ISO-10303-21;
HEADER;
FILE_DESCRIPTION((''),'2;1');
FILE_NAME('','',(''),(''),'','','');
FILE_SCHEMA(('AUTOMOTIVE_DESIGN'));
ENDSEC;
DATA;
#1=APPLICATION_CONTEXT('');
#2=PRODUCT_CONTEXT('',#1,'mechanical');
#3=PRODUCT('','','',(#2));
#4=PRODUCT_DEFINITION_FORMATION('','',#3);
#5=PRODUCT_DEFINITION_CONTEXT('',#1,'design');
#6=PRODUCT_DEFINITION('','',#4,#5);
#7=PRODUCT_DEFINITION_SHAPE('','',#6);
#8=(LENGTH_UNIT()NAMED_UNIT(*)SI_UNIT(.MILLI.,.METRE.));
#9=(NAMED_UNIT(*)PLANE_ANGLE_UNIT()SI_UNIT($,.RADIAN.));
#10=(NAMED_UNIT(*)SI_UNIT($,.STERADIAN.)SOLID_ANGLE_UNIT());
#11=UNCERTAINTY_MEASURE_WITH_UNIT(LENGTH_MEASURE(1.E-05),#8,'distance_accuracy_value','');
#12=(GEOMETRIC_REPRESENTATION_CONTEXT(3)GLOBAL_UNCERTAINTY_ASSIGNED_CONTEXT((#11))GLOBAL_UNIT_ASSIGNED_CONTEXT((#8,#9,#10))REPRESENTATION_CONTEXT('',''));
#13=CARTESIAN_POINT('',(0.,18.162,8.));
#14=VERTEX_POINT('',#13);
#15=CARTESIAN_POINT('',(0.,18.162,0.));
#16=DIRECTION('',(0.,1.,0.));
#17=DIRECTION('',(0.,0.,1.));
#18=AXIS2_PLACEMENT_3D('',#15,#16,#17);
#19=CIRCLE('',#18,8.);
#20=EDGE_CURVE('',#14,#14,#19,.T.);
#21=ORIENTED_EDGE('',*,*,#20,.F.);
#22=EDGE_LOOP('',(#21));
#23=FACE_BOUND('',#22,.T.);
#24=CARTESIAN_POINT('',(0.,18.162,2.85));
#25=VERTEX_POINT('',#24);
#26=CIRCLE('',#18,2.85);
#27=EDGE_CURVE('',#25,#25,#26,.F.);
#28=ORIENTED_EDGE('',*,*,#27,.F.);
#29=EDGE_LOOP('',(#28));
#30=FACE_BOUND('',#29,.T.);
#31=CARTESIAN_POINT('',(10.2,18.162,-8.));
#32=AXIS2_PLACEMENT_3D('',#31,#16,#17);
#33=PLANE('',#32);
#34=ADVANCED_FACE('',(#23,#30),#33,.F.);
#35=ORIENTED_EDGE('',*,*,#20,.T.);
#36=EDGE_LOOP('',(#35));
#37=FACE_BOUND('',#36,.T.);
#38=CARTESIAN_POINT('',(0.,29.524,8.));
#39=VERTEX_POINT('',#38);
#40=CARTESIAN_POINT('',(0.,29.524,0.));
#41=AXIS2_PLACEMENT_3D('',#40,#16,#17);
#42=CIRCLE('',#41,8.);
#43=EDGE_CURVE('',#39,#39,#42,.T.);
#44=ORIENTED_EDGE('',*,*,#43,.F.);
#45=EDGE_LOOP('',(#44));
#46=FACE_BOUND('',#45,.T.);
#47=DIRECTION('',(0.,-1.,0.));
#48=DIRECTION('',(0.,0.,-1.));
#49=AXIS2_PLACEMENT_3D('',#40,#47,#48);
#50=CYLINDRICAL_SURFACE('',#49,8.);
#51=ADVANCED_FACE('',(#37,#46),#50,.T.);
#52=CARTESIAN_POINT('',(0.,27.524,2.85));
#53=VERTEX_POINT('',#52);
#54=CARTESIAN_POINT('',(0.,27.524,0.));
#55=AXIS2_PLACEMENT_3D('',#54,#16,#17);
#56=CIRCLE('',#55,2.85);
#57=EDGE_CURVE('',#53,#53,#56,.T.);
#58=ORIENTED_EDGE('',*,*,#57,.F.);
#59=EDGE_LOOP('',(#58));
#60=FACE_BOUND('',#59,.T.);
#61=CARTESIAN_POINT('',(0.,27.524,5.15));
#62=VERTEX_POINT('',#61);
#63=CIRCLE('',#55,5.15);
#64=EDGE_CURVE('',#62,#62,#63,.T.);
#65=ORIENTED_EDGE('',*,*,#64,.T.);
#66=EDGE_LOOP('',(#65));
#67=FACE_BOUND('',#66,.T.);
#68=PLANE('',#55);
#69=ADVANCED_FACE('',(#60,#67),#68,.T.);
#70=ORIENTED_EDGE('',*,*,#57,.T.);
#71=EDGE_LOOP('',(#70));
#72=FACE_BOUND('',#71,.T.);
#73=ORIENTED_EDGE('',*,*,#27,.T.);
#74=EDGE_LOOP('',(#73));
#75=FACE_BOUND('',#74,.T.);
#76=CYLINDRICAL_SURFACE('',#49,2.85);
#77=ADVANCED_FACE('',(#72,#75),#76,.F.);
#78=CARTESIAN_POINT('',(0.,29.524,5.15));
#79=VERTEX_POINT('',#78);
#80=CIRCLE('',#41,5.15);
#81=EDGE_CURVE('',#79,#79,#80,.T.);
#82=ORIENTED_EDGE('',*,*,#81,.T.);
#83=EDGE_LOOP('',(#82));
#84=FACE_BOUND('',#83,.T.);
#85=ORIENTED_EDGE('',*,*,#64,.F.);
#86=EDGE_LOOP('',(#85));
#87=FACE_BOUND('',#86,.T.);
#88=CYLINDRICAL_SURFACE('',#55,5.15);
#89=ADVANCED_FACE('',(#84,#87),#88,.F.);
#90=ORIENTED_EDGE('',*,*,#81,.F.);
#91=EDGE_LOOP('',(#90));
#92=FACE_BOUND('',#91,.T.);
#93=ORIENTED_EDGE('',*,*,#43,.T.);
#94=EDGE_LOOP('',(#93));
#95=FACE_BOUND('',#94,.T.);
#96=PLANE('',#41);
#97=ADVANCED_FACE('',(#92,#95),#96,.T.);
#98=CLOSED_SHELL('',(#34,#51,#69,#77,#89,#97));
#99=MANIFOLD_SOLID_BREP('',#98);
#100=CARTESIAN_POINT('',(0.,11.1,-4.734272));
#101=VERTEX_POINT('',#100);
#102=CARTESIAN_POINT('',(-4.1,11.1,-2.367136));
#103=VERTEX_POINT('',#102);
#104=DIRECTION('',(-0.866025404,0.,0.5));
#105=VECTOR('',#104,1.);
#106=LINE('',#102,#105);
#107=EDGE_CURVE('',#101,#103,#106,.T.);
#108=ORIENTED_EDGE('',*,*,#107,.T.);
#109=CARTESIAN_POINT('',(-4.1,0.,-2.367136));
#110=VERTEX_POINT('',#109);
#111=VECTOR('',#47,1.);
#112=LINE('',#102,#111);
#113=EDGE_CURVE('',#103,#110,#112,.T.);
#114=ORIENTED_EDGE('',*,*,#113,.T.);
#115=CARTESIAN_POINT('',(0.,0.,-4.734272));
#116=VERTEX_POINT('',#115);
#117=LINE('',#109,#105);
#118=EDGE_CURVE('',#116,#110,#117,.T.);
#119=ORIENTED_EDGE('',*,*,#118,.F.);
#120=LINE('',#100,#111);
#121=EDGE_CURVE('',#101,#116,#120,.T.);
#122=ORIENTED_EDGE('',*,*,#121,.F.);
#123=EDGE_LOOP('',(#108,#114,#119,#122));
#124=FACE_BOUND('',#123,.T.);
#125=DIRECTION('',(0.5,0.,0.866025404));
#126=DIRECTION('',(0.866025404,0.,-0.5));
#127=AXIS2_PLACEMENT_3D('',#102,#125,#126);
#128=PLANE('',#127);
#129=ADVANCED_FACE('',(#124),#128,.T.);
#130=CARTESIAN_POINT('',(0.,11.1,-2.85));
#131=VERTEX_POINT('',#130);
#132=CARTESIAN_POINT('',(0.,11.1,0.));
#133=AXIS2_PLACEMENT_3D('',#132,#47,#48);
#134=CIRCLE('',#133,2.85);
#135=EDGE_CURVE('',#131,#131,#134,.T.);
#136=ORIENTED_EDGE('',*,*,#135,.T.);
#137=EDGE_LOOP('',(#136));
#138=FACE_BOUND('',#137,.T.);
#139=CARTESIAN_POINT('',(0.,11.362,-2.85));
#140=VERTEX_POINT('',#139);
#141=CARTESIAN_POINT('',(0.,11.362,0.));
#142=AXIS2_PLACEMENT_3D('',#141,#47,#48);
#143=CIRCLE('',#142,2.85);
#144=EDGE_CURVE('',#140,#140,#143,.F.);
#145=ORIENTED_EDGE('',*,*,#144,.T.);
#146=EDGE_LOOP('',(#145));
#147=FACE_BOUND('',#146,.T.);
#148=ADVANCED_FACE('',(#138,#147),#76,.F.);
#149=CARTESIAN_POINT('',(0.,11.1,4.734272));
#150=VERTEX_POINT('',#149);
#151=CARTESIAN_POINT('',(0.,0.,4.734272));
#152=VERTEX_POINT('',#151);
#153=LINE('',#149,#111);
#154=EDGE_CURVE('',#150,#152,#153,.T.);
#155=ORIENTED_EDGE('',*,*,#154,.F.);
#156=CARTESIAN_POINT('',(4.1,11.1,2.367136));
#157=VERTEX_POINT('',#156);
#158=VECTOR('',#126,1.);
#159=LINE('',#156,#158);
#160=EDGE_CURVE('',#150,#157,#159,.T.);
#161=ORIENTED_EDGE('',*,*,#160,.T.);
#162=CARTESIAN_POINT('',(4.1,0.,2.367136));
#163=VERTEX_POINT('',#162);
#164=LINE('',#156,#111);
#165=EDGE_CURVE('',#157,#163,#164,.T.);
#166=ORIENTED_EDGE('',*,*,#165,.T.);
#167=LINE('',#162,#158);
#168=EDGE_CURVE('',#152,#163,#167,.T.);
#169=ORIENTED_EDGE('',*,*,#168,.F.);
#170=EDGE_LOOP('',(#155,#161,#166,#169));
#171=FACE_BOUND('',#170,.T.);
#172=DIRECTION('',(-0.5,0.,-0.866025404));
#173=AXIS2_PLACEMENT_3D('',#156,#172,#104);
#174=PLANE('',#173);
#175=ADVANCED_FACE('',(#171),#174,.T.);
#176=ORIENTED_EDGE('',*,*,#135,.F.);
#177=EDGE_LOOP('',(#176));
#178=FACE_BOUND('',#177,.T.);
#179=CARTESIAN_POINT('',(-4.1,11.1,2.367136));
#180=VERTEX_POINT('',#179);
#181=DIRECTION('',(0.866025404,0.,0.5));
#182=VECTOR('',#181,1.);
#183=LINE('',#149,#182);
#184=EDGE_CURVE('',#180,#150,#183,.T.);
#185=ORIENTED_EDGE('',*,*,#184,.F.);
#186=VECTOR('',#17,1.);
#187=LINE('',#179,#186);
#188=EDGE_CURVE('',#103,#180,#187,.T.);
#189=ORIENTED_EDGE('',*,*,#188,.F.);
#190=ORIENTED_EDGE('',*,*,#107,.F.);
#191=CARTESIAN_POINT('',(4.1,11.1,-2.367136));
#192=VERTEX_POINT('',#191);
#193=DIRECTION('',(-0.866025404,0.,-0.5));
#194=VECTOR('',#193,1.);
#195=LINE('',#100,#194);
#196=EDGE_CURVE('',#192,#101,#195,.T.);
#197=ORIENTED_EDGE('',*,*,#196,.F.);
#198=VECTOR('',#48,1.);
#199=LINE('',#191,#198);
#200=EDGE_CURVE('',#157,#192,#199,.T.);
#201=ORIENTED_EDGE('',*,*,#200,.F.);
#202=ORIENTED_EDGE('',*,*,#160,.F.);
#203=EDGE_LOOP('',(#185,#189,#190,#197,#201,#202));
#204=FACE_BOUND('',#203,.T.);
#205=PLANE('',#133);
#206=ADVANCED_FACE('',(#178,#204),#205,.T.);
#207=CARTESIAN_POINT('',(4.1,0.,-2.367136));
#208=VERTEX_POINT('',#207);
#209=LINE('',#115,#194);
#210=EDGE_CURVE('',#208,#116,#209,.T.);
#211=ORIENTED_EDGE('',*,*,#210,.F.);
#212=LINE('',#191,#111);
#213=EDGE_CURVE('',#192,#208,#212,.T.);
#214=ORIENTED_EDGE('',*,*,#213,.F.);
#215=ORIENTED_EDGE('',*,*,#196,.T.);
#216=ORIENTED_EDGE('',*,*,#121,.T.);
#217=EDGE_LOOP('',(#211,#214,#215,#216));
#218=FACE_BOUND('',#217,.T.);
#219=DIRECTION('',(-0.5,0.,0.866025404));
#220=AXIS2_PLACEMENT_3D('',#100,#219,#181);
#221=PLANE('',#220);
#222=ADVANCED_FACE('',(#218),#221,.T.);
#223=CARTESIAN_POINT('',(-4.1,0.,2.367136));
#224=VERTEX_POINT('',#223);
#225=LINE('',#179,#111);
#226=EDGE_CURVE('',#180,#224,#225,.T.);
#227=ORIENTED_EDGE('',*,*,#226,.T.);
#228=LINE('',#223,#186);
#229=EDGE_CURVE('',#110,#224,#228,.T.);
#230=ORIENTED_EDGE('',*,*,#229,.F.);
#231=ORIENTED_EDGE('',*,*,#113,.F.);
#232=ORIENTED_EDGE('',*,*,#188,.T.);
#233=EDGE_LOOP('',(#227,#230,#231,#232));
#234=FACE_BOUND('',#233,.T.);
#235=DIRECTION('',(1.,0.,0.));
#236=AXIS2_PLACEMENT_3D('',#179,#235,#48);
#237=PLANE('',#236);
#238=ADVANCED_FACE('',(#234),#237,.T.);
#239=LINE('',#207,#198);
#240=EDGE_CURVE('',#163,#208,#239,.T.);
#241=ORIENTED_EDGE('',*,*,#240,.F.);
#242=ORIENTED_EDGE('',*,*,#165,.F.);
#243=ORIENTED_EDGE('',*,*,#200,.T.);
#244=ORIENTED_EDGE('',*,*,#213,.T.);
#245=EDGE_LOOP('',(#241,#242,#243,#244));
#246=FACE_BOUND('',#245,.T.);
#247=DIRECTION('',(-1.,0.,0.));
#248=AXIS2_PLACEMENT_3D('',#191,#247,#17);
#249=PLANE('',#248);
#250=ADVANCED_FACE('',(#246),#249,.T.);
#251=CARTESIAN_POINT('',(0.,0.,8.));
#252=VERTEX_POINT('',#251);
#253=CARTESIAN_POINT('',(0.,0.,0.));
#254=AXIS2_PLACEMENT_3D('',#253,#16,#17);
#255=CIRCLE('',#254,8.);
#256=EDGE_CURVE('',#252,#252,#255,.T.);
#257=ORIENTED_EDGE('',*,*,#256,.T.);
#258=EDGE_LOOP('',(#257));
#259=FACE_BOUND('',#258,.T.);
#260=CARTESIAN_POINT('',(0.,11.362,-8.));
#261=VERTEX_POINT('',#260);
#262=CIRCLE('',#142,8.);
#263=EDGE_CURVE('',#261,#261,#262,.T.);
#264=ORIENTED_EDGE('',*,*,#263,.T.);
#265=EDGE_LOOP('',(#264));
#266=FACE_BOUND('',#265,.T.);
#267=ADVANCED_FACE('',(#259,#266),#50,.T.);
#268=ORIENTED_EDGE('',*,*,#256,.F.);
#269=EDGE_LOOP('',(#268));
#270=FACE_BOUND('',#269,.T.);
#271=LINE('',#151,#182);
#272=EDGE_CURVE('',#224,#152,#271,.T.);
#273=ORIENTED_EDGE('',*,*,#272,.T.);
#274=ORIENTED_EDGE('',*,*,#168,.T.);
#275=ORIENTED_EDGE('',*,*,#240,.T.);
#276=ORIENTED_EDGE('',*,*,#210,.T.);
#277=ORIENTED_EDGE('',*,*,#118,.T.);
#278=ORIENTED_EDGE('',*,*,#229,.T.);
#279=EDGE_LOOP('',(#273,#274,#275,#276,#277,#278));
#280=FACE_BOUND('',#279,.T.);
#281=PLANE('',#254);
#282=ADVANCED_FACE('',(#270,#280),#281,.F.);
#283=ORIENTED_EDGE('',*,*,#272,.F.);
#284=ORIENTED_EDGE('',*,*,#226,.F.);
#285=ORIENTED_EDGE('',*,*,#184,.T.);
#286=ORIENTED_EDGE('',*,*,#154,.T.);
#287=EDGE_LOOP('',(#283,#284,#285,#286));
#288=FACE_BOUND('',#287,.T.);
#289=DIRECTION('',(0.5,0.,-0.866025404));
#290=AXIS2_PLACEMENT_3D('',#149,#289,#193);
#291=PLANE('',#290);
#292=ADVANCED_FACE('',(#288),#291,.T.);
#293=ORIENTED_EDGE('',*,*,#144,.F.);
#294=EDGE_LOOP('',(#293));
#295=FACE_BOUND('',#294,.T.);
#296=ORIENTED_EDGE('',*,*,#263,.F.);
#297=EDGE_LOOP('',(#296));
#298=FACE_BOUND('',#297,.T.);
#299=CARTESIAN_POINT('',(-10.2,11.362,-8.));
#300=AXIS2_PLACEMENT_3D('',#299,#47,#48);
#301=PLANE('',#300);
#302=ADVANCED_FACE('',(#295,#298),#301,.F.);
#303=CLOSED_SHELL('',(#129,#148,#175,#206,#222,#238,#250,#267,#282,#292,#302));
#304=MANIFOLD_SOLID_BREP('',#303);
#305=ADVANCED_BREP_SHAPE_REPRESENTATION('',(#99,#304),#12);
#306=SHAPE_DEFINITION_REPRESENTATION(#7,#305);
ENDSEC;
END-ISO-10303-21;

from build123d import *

# Parameters (mm, degrees)
SKETCH1_R               = 8
BOSS_EXTRUDE1_DEPTH     = 29.524
CUT_EXTRUDE1_DEPTH      = 32.617504266
CUT_EXTRUDE1_DEPTH_BACK = 32.617504266
SKETCH2_W               = 20.4
SKETCH2_H               = 6.8
SKETCH3_R               = 2.85
CUT_EXTRUDE2_DEPTH      = 29.524
SKETCH4_R               = 5.15
CUT_EXTRUDE3_DEPTH      = 2
CUT_EXTRUDE4_DEPTH      = 11.1


with BuildPart() as part:
    # Sketch1 → Boss-Extrude1 (new body)
    with BuildSketch(Plane(origin=(0, 0, 0), x_dir=(1, 0, 0), z_dir=(0, 1, 0))):
        with Locations(Location((0, 0, 0), (0, 0, 270))):
            Circle(SKETCH1_R)
    extrude(amount=BOSS_EXTRUDE1_DEPTH)

    # Sketch2 → Cut-Extrude1 (cut, two sides: drawn at the far end of the back side and taken through both)
    with BuildSketch(Plane.XY.offset(-CUT_EXTRUDE1_DEPTH_BACK)):
        with Locations((0, 14.762)):
            Rectangle(SKETCH2_W, SKETCH2_H)
    extrude(amount=CUT_EXTRUDE1_DEPTH + CUT_EXTRUDE1_DEPTH_BACK, mode=Mode.SUBTRACT)


with BuildPart() as cut_extrude1_piece_1:
    # of the separate pieces the step leaves, piece 1, a body of its own (cut_extrude1_pieces)
    add(part.part.solids().sort_by_distance((0, 0, 8))[0])


with BuildPart() as cut_extrude1_piece_2:
    # of the separate pieces the step leaves, piece 2, a body of its own (cut_extrude1_pieces)
    add(part.part.solids().sort_by_distance((0, 18.162, 8))[0])


with BuildPart() as cut_extrude2_tool:
    # Sketch3 → Cut-Extrude2 (new body)
    with BuildSketch(Plane(origin=(0, 0, 0), x_dir=(1, 0, 0), z_dir=(0, 1, 0))):
        with Locations(Location((0, 0, 0), (0, 0, 270))):
            Circle(SKETCH3_R)
    extrude(amount=CUT_EXTRUDE2_DEPTH)


with BuildPart() as cut_extrude1_piece_1_1:
    add(cut_extrude1_piece_1.part)

    # Cut-Extrude2: cut by cut_extrude2_tool
    add(cut_extrude2_tool.part, mode=Mode.SUBTRACT)

    # Sketch5 → Cut-Extrude4 (cut)
    with BuildSketch(Plane(origin=(0, 0, 0), x_dir=(1, 0, 0), z_dir=(0, 1, 0))):
        Polygon((4.1, -2.367136104), (0, -4.734272207), (-4.1, -2.367136104), (-4.1, 2.367136104), (0, 4.734272207), (4.1, 2.367136104), align=None)
    extrude(amount=CUT_EXTRUDE4_DEPTH, mode=Mode.SUBTRACT)


with BuildPart() as cut_extrude1_piece_2_1:
    add(cut_extrude1_piece_2.part)

    # Cut-Extrude2: cut by cut_extrude2_tool
    add(cut_extrude2_tool.part, mode=Mode.SUBTRACT)

    # Sketch4 → Cut-Extrude3 (cut)
    with BuildSketch(Plane(origin=(0, 29.524, 0), x_dir=(1, 0, 0), z_dir=(0, 1, 0))):
        with Locations(Location((0, 0, 0), (0, 0, 270))):
            Circle(SKETCH4_R)
    extrude(amount=-CUT_EXTRUDE3_DEPTH, mode=Mode.SUBTRACT)


solid = Compound([cut_extrude1_piece_1_1.part, cut_extrude1_piece_2_1.part])
